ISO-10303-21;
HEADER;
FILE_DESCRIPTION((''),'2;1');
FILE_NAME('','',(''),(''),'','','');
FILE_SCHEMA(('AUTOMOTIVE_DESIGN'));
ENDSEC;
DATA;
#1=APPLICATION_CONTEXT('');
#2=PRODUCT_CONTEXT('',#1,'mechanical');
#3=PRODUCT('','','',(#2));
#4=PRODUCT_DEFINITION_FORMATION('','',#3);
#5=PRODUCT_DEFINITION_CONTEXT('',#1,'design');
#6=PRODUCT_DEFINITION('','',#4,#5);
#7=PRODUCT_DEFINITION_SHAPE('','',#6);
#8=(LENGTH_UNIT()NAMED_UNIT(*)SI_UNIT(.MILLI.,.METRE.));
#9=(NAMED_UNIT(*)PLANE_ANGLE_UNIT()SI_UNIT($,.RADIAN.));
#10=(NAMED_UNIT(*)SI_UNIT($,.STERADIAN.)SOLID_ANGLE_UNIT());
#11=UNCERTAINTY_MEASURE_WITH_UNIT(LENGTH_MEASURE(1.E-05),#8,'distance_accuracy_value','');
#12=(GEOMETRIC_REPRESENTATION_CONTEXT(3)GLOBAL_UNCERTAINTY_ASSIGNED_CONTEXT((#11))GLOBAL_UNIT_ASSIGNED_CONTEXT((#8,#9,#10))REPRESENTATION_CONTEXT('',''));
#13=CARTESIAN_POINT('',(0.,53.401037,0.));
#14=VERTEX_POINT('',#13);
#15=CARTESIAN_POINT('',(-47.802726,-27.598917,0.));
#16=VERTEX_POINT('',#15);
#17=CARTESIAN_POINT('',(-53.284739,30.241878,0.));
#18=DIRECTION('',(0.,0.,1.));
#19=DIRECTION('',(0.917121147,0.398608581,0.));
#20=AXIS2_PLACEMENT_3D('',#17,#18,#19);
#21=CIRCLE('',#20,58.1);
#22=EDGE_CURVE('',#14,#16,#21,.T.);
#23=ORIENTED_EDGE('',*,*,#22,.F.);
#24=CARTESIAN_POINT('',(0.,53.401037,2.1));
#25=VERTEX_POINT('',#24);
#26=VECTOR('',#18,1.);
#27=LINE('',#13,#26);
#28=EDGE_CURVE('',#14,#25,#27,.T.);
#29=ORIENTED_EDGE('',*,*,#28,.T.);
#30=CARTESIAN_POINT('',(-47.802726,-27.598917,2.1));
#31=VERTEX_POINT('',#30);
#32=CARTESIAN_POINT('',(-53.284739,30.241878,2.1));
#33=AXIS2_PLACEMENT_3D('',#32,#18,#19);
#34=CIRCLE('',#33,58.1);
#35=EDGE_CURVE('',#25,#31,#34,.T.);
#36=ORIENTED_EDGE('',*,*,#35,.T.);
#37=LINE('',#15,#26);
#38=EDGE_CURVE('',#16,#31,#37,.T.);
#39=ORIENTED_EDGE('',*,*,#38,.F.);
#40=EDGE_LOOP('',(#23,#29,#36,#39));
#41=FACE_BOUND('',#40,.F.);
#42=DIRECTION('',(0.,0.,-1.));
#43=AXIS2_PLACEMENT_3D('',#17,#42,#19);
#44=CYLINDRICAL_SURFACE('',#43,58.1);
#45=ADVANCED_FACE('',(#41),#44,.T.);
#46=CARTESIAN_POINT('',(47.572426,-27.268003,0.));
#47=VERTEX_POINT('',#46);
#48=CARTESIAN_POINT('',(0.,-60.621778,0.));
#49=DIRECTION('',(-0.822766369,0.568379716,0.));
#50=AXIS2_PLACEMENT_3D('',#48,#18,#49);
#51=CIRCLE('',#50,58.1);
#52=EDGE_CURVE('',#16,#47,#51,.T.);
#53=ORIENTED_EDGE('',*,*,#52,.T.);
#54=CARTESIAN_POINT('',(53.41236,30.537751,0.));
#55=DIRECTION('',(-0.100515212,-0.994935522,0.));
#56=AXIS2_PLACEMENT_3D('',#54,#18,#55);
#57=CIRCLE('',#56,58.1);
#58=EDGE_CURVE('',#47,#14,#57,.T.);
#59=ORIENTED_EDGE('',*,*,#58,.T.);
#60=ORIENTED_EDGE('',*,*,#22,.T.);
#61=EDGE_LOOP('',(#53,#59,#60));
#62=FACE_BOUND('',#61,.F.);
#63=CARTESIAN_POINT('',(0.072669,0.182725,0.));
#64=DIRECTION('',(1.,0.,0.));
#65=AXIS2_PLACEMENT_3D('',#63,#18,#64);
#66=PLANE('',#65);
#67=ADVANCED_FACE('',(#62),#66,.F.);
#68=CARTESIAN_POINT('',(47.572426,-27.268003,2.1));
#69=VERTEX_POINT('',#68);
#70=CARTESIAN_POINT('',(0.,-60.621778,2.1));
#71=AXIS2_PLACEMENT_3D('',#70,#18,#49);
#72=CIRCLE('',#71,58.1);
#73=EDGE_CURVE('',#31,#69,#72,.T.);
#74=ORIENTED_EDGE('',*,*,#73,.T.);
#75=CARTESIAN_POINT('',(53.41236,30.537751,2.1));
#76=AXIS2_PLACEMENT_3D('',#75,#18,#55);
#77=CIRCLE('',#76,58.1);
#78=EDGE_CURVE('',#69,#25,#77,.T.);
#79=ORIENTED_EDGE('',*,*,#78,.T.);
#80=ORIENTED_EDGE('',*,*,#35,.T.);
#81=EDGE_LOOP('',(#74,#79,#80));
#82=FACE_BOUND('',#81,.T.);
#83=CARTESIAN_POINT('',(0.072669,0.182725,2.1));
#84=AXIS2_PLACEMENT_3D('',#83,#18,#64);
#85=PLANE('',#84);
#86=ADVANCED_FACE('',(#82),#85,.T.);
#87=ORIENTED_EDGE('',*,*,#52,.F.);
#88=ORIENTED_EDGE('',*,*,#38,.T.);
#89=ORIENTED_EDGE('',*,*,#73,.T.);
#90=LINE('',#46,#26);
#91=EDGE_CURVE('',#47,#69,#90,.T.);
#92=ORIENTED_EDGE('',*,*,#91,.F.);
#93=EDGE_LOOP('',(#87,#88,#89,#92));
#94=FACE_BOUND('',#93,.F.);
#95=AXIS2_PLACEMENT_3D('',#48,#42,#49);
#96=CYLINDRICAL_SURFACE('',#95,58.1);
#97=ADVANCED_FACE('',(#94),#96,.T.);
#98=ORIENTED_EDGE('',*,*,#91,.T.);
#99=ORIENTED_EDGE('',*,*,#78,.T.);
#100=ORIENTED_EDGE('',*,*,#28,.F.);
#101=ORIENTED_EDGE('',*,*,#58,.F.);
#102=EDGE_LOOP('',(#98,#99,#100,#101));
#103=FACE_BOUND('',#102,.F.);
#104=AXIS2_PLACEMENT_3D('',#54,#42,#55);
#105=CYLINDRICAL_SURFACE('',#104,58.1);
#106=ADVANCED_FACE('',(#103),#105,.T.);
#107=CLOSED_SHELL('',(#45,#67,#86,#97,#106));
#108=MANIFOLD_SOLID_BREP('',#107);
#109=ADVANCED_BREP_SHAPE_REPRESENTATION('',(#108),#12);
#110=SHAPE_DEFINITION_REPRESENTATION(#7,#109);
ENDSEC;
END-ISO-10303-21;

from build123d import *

# Parameters (mm, degrees)
F1_DEPTH = 3
F2_SCALE = 0.7


with BuildPart() as f1:
    # F0 (on Top) → F1 (new body)
    with BuildSketch(Plane.XY):
        with BuildLine():
            ThreePointArc((-68.2896086367, -39.4270239292), (0.2879749717, -169.6020408011), (67.960608205, -38.9542903329))
            ThreePointArc((67.960608205, -38.9542903329), (147.7973703054, 85.7870471445), (0, 76.2871950865))
            ThreePointArc((0, 76.2871950865), (-147.601477468, 85.3873866996), (-68.2896086367, -39.4270239292))
        make_face()
    extrude(amount=F1_DEPTH)


with BuildPart() as f1_1:
    # F2: moved
    add(f1.part.scale(F2_SCALE))


solid = f1_1.part
